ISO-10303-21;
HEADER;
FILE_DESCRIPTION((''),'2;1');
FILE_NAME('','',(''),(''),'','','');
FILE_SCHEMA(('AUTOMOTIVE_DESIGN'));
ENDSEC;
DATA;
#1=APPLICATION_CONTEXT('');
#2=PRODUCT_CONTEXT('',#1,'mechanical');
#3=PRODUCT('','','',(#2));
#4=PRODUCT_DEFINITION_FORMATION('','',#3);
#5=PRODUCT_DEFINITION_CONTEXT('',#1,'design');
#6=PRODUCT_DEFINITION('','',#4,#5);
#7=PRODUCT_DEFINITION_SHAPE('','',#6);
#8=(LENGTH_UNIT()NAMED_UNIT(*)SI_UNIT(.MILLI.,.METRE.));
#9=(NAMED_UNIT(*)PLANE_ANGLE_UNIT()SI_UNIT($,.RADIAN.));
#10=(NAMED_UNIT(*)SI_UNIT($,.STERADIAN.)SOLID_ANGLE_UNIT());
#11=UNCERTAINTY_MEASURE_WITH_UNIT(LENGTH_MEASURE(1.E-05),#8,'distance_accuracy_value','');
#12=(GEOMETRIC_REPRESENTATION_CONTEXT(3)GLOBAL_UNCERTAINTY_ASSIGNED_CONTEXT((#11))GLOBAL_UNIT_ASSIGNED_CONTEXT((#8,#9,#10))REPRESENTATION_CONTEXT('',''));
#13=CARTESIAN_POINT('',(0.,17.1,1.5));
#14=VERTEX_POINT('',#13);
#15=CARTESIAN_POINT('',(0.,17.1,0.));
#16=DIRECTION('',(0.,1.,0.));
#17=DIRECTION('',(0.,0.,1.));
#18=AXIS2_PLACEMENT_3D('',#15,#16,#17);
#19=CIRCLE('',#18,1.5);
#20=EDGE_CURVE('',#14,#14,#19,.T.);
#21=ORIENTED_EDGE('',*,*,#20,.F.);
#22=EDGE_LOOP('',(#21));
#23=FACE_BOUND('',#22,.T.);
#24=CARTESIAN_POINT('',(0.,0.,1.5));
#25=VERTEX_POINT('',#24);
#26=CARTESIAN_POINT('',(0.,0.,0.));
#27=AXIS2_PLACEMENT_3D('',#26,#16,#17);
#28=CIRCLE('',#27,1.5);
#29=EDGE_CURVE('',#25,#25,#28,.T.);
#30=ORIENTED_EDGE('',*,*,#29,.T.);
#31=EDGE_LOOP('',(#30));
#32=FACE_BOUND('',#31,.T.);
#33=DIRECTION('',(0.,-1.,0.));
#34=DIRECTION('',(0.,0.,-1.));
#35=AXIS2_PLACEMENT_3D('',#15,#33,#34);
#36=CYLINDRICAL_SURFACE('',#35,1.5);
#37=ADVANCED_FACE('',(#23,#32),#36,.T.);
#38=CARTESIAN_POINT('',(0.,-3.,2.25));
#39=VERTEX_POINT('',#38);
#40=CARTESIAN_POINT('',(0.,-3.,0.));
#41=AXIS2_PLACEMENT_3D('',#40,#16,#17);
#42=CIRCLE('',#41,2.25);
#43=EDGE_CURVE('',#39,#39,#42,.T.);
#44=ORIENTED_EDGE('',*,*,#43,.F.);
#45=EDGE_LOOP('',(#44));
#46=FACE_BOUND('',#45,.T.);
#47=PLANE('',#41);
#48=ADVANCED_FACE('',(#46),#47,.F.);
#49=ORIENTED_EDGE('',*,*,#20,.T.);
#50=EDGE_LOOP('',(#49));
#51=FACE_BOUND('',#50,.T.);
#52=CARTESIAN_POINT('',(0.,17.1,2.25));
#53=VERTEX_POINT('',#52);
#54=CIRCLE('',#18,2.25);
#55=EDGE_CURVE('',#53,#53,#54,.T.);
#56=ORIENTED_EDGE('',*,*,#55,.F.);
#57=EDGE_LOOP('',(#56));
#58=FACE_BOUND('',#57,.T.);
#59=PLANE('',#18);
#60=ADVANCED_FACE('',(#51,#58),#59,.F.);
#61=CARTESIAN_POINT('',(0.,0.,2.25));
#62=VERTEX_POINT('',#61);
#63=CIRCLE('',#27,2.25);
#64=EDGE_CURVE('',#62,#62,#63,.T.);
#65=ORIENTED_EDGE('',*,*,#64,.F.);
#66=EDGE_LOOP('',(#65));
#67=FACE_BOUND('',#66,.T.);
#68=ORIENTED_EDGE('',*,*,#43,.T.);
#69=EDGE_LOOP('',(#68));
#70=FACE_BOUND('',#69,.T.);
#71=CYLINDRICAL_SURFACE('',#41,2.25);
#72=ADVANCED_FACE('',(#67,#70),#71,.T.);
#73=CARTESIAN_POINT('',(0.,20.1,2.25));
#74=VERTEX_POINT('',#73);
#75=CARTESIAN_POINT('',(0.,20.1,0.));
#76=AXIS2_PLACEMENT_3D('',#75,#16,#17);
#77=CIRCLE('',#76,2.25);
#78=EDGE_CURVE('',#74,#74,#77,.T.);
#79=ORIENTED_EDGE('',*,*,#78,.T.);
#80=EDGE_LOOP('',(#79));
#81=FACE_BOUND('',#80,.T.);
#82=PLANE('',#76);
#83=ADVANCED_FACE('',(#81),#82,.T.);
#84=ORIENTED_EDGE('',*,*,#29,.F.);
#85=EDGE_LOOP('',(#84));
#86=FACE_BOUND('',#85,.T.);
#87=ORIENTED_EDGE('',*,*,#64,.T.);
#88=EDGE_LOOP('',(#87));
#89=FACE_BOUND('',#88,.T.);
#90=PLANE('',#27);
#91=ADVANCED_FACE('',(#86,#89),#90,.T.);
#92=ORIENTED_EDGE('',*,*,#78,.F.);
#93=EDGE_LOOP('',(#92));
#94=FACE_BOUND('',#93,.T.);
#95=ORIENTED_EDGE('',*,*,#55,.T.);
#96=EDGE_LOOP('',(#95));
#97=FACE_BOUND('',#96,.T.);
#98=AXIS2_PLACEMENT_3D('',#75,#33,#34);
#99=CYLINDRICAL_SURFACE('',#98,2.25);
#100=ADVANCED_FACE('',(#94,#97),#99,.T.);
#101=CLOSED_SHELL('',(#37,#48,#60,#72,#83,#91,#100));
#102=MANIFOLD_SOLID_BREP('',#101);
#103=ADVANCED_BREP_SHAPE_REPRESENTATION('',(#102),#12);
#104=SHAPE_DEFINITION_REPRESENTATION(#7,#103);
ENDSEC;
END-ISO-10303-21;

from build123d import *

# Parameters (mm, degrees)
SKETCH1_R           = 1.5
BOSS_EXTRUDE1_DEPTH = 17.1
SKETCH2_R           = 2.25
BOSS_EXTRUDE2_DEPTH = 3
BOSS_EXTRUDE3_START = -17.1
SKETCH2_2_R         = 2.25
BOSS_EXTRUDE3_DEPTH = 3


with BuildPart() as part:
    # Sketch1 → Boss-Extrude1 (new body)
    with BuildSketch(Plane(origin=(0, 0, 0), x_dir=(1, 0, 0), z_dir=(0, 1, 0))):
        Circle(SKETCH1_R)
    extrude(amount=BOSS_EXTRUDE1_DEPTH)

    # Sketch2 → Boss-Extrude2 (add)
    with BuildSketch(Plane(origin=(0, 17.1, 0), x_dir=(1, 0, 0), z_dir=(0, 1, 0))):
        Circle(SKETCH2_R)
    extrude(amount=BOSS_EXTRUDE2_DEPTH)

    # Sketch2<2> → Boss-Extrude3 (add)
    with BuildSketch(Plane(origin=(0, 17.1, 0), x_dir=(1, 0, 0), z_dir=(0, 1, 0)).offset(BOSS_EXTRUDE3_START)):
        Circle(SKETCH2_2_R)
    extrude(amount=-BOSS_EXTRUDE3_DEPTH)


solid = part.part
